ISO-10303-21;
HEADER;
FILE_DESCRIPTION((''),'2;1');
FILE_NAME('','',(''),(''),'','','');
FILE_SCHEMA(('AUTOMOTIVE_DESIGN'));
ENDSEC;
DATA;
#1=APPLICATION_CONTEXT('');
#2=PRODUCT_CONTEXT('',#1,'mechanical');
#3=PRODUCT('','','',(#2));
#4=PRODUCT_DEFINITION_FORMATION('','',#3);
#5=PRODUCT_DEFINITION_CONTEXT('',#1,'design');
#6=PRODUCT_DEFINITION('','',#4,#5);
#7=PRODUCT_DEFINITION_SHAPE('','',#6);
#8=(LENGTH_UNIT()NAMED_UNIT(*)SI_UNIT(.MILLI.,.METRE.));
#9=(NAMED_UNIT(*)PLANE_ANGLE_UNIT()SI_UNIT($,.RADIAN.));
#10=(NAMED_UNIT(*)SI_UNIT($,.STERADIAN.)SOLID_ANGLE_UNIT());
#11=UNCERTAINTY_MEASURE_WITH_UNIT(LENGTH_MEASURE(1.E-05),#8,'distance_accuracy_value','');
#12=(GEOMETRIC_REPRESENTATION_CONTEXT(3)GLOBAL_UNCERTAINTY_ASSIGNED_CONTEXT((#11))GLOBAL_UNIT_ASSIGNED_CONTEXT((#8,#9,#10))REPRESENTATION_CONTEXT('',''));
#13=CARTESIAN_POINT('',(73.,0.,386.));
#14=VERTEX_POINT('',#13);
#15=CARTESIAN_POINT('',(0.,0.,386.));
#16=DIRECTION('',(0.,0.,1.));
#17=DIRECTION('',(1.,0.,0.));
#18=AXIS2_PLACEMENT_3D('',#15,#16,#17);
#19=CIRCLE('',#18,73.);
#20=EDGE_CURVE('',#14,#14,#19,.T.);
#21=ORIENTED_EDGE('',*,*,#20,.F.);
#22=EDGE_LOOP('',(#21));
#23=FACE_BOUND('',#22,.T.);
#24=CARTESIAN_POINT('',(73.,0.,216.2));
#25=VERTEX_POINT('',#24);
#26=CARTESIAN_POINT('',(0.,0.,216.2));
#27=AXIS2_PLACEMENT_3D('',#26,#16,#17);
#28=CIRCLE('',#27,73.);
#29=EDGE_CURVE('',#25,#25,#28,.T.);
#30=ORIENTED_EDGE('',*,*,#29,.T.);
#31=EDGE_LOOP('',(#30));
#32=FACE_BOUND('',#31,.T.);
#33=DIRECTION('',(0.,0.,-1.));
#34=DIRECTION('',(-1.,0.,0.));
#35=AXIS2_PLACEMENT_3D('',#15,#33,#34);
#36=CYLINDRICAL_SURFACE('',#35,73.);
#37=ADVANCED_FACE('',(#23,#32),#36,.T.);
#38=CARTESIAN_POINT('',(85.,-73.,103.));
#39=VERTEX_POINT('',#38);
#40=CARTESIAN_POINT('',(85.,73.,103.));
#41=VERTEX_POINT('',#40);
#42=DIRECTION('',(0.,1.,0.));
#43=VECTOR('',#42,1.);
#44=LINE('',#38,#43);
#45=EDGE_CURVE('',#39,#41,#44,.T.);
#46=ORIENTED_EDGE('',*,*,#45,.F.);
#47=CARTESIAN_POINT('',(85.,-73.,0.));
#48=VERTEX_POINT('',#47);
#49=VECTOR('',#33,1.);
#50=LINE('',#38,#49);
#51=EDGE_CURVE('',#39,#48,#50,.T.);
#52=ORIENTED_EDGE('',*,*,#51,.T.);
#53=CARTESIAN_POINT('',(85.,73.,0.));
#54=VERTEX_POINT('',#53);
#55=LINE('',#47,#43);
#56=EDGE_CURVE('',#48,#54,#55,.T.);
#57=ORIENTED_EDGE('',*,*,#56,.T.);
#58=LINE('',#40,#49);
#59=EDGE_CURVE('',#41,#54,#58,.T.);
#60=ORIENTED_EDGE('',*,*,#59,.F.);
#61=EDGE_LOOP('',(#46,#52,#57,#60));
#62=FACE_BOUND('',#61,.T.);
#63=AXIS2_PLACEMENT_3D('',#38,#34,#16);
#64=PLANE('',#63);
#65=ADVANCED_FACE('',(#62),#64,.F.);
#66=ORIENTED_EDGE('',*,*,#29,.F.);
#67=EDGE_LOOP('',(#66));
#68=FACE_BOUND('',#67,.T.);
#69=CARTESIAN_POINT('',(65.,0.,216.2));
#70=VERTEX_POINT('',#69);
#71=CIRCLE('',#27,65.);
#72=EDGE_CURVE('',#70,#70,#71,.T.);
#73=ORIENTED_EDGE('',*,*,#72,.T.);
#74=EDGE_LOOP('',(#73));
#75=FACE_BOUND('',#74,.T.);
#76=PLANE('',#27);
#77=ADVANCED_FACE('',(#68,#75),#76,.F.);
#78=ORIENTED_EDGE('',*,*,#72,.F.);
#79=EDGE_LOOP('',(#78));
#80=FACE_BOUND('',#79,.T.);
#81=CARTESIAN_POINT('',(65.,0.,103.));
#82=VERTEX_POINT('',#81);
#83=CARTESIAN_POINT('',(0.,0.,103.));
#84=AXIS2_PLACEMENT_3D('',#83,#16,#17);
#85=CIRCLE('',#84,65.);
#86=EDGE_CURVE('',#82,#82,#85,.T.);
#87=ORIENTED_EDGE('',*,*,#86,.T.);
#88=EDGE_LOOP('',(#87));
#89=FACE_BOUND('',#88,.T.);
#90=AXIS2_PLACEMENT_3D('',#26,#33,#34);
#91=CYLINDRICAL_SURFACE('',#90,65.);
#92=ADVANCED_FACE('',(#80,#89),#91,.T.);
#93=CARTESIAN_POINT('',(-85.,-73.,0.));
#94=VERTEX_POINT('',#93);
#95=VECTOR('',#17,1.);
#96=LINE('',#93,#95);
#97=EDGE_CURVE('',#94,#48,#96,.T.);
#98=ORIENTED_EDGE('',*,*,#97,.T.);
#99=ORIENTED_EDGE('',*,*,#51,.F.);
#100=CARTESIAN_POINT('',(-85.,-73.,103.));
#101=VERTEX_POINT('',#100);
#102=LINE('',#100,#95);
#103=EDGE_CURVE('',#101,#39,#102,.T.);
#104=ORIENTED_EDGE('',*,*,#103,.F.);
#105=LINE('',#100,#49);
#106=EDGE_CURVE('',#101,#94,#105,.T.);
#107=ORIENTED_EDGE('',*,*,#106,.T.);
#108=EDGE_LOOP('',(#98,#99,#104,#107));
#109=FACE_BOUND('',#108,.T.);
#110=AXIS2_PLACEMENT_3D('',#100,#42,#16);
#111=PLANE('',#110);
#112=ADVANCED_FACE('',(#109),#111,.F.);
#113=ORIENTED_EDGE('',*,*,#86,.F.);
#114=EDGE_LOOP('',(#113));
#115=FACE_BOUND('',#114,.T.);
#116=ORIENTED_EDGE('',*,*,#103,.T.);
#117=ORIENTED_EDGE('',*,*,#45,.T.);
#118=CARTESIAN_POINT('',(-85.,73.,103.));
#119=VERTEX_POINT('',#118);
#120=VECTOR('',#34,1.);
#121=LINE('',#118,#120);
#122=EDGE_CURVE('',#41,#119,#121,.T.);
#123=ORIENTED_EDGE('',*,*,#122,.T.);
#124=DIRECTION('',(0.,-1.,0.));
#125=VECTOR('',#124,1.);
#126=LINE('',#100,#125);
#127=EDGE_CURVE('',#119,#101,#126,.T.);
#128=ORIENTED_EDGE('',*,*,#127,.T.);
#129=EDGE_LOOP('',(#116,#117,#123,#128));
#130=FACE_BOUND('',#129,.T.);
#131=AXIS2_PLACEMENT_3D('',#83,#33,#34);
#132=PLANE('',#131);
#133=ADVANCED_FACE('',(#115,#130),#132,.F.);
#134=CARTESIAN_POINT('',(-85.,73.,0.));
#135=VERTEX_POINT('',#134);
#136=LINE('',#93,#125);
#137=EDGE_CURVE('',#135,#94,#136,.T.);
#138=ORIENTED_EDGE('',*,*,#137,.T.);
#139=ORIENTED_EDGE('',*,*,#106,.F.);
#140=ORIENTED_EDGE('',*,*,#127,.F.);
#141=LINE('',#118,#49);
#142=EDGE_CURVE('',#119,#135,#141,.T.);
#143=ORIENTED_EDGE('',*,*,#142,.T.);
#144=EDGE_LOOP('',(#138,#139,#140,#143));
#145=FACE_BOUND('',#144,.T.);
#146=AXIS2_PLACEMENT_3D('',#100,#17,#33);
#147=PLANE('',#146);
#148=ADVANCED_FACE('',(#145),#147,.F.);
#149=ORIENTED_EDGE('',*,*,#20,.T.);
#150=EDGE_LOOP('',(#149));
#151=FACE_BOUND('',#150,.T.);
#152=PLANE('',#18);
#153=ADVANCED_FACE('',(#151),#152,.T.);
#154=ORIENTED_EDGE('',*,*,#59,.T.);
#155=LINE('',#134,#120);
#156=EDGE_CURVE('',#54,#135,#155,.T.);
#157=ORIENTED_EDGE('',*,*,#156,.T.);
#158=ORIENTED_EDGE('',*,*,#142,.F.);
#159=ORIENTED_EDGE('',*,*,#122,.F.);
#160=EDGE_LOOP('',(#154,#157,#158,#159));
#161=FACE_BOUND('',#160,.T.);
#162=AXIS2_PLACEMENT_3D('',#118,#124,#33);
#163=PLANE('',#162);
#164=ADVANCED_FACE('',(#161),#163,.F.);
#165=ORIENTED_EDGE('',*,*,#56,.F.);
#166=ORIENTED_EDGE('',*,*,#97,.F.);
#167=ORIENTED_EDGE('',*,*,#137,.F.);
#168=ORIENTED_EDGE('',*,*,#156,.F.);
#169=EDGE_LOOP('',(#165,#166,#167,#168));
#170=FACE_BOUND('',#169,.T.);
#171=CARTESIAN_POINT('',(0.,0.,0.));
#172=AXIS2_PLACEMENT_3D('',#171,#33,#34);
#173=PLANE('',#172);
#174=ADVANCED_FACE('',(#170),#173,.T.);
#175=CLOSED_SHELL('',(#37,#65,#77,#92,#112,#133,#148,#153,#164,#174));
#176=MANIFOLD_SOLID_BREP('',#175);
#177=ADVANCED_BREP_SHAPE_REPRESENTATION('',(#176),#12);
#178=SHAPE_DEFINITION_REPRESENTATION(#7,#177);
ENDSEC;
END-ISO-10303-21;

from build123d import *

# Parameters (mm, degrees)
SKETCH1_W           = 170
SKETCH1_H           = 146
BOSS_EXTRUDE1_DEPTH = 103
SKETCH2_R           = 65
BOSS_EXTRUDE2_DEPTH = 113.2
SKETCH3_R           = 73
BOSS_EXTRUDE3_DEPTH = 169.8


with BuildPart() as part:
    # Sketch1 → Boss-Extrude1 (new body)
    with BuildSketch(Plane.XY):
        Rectangle(SKETCH1_W, SKETCH1_H)
    extrude(amount=BOSS_EXTRUDE1_DEPTH)

    # Sketch2 → Boss-Extrude2 (add)
    with BuildSketch(Plane.XY.offset(103)):
        Circle(SKETCH2_R)
    extrude(amount=BOSS_EXTRUDE2_DEPTH)

    # Sketch3 → Boss-Extrude3 (add)
    with BuildSketch(Plane.XY.offset(216.2)):
        Circle(SKETCH3_R)
    extrude(amount=BOSS_EXTRUDE3_DEPTH)


solid = part.part
